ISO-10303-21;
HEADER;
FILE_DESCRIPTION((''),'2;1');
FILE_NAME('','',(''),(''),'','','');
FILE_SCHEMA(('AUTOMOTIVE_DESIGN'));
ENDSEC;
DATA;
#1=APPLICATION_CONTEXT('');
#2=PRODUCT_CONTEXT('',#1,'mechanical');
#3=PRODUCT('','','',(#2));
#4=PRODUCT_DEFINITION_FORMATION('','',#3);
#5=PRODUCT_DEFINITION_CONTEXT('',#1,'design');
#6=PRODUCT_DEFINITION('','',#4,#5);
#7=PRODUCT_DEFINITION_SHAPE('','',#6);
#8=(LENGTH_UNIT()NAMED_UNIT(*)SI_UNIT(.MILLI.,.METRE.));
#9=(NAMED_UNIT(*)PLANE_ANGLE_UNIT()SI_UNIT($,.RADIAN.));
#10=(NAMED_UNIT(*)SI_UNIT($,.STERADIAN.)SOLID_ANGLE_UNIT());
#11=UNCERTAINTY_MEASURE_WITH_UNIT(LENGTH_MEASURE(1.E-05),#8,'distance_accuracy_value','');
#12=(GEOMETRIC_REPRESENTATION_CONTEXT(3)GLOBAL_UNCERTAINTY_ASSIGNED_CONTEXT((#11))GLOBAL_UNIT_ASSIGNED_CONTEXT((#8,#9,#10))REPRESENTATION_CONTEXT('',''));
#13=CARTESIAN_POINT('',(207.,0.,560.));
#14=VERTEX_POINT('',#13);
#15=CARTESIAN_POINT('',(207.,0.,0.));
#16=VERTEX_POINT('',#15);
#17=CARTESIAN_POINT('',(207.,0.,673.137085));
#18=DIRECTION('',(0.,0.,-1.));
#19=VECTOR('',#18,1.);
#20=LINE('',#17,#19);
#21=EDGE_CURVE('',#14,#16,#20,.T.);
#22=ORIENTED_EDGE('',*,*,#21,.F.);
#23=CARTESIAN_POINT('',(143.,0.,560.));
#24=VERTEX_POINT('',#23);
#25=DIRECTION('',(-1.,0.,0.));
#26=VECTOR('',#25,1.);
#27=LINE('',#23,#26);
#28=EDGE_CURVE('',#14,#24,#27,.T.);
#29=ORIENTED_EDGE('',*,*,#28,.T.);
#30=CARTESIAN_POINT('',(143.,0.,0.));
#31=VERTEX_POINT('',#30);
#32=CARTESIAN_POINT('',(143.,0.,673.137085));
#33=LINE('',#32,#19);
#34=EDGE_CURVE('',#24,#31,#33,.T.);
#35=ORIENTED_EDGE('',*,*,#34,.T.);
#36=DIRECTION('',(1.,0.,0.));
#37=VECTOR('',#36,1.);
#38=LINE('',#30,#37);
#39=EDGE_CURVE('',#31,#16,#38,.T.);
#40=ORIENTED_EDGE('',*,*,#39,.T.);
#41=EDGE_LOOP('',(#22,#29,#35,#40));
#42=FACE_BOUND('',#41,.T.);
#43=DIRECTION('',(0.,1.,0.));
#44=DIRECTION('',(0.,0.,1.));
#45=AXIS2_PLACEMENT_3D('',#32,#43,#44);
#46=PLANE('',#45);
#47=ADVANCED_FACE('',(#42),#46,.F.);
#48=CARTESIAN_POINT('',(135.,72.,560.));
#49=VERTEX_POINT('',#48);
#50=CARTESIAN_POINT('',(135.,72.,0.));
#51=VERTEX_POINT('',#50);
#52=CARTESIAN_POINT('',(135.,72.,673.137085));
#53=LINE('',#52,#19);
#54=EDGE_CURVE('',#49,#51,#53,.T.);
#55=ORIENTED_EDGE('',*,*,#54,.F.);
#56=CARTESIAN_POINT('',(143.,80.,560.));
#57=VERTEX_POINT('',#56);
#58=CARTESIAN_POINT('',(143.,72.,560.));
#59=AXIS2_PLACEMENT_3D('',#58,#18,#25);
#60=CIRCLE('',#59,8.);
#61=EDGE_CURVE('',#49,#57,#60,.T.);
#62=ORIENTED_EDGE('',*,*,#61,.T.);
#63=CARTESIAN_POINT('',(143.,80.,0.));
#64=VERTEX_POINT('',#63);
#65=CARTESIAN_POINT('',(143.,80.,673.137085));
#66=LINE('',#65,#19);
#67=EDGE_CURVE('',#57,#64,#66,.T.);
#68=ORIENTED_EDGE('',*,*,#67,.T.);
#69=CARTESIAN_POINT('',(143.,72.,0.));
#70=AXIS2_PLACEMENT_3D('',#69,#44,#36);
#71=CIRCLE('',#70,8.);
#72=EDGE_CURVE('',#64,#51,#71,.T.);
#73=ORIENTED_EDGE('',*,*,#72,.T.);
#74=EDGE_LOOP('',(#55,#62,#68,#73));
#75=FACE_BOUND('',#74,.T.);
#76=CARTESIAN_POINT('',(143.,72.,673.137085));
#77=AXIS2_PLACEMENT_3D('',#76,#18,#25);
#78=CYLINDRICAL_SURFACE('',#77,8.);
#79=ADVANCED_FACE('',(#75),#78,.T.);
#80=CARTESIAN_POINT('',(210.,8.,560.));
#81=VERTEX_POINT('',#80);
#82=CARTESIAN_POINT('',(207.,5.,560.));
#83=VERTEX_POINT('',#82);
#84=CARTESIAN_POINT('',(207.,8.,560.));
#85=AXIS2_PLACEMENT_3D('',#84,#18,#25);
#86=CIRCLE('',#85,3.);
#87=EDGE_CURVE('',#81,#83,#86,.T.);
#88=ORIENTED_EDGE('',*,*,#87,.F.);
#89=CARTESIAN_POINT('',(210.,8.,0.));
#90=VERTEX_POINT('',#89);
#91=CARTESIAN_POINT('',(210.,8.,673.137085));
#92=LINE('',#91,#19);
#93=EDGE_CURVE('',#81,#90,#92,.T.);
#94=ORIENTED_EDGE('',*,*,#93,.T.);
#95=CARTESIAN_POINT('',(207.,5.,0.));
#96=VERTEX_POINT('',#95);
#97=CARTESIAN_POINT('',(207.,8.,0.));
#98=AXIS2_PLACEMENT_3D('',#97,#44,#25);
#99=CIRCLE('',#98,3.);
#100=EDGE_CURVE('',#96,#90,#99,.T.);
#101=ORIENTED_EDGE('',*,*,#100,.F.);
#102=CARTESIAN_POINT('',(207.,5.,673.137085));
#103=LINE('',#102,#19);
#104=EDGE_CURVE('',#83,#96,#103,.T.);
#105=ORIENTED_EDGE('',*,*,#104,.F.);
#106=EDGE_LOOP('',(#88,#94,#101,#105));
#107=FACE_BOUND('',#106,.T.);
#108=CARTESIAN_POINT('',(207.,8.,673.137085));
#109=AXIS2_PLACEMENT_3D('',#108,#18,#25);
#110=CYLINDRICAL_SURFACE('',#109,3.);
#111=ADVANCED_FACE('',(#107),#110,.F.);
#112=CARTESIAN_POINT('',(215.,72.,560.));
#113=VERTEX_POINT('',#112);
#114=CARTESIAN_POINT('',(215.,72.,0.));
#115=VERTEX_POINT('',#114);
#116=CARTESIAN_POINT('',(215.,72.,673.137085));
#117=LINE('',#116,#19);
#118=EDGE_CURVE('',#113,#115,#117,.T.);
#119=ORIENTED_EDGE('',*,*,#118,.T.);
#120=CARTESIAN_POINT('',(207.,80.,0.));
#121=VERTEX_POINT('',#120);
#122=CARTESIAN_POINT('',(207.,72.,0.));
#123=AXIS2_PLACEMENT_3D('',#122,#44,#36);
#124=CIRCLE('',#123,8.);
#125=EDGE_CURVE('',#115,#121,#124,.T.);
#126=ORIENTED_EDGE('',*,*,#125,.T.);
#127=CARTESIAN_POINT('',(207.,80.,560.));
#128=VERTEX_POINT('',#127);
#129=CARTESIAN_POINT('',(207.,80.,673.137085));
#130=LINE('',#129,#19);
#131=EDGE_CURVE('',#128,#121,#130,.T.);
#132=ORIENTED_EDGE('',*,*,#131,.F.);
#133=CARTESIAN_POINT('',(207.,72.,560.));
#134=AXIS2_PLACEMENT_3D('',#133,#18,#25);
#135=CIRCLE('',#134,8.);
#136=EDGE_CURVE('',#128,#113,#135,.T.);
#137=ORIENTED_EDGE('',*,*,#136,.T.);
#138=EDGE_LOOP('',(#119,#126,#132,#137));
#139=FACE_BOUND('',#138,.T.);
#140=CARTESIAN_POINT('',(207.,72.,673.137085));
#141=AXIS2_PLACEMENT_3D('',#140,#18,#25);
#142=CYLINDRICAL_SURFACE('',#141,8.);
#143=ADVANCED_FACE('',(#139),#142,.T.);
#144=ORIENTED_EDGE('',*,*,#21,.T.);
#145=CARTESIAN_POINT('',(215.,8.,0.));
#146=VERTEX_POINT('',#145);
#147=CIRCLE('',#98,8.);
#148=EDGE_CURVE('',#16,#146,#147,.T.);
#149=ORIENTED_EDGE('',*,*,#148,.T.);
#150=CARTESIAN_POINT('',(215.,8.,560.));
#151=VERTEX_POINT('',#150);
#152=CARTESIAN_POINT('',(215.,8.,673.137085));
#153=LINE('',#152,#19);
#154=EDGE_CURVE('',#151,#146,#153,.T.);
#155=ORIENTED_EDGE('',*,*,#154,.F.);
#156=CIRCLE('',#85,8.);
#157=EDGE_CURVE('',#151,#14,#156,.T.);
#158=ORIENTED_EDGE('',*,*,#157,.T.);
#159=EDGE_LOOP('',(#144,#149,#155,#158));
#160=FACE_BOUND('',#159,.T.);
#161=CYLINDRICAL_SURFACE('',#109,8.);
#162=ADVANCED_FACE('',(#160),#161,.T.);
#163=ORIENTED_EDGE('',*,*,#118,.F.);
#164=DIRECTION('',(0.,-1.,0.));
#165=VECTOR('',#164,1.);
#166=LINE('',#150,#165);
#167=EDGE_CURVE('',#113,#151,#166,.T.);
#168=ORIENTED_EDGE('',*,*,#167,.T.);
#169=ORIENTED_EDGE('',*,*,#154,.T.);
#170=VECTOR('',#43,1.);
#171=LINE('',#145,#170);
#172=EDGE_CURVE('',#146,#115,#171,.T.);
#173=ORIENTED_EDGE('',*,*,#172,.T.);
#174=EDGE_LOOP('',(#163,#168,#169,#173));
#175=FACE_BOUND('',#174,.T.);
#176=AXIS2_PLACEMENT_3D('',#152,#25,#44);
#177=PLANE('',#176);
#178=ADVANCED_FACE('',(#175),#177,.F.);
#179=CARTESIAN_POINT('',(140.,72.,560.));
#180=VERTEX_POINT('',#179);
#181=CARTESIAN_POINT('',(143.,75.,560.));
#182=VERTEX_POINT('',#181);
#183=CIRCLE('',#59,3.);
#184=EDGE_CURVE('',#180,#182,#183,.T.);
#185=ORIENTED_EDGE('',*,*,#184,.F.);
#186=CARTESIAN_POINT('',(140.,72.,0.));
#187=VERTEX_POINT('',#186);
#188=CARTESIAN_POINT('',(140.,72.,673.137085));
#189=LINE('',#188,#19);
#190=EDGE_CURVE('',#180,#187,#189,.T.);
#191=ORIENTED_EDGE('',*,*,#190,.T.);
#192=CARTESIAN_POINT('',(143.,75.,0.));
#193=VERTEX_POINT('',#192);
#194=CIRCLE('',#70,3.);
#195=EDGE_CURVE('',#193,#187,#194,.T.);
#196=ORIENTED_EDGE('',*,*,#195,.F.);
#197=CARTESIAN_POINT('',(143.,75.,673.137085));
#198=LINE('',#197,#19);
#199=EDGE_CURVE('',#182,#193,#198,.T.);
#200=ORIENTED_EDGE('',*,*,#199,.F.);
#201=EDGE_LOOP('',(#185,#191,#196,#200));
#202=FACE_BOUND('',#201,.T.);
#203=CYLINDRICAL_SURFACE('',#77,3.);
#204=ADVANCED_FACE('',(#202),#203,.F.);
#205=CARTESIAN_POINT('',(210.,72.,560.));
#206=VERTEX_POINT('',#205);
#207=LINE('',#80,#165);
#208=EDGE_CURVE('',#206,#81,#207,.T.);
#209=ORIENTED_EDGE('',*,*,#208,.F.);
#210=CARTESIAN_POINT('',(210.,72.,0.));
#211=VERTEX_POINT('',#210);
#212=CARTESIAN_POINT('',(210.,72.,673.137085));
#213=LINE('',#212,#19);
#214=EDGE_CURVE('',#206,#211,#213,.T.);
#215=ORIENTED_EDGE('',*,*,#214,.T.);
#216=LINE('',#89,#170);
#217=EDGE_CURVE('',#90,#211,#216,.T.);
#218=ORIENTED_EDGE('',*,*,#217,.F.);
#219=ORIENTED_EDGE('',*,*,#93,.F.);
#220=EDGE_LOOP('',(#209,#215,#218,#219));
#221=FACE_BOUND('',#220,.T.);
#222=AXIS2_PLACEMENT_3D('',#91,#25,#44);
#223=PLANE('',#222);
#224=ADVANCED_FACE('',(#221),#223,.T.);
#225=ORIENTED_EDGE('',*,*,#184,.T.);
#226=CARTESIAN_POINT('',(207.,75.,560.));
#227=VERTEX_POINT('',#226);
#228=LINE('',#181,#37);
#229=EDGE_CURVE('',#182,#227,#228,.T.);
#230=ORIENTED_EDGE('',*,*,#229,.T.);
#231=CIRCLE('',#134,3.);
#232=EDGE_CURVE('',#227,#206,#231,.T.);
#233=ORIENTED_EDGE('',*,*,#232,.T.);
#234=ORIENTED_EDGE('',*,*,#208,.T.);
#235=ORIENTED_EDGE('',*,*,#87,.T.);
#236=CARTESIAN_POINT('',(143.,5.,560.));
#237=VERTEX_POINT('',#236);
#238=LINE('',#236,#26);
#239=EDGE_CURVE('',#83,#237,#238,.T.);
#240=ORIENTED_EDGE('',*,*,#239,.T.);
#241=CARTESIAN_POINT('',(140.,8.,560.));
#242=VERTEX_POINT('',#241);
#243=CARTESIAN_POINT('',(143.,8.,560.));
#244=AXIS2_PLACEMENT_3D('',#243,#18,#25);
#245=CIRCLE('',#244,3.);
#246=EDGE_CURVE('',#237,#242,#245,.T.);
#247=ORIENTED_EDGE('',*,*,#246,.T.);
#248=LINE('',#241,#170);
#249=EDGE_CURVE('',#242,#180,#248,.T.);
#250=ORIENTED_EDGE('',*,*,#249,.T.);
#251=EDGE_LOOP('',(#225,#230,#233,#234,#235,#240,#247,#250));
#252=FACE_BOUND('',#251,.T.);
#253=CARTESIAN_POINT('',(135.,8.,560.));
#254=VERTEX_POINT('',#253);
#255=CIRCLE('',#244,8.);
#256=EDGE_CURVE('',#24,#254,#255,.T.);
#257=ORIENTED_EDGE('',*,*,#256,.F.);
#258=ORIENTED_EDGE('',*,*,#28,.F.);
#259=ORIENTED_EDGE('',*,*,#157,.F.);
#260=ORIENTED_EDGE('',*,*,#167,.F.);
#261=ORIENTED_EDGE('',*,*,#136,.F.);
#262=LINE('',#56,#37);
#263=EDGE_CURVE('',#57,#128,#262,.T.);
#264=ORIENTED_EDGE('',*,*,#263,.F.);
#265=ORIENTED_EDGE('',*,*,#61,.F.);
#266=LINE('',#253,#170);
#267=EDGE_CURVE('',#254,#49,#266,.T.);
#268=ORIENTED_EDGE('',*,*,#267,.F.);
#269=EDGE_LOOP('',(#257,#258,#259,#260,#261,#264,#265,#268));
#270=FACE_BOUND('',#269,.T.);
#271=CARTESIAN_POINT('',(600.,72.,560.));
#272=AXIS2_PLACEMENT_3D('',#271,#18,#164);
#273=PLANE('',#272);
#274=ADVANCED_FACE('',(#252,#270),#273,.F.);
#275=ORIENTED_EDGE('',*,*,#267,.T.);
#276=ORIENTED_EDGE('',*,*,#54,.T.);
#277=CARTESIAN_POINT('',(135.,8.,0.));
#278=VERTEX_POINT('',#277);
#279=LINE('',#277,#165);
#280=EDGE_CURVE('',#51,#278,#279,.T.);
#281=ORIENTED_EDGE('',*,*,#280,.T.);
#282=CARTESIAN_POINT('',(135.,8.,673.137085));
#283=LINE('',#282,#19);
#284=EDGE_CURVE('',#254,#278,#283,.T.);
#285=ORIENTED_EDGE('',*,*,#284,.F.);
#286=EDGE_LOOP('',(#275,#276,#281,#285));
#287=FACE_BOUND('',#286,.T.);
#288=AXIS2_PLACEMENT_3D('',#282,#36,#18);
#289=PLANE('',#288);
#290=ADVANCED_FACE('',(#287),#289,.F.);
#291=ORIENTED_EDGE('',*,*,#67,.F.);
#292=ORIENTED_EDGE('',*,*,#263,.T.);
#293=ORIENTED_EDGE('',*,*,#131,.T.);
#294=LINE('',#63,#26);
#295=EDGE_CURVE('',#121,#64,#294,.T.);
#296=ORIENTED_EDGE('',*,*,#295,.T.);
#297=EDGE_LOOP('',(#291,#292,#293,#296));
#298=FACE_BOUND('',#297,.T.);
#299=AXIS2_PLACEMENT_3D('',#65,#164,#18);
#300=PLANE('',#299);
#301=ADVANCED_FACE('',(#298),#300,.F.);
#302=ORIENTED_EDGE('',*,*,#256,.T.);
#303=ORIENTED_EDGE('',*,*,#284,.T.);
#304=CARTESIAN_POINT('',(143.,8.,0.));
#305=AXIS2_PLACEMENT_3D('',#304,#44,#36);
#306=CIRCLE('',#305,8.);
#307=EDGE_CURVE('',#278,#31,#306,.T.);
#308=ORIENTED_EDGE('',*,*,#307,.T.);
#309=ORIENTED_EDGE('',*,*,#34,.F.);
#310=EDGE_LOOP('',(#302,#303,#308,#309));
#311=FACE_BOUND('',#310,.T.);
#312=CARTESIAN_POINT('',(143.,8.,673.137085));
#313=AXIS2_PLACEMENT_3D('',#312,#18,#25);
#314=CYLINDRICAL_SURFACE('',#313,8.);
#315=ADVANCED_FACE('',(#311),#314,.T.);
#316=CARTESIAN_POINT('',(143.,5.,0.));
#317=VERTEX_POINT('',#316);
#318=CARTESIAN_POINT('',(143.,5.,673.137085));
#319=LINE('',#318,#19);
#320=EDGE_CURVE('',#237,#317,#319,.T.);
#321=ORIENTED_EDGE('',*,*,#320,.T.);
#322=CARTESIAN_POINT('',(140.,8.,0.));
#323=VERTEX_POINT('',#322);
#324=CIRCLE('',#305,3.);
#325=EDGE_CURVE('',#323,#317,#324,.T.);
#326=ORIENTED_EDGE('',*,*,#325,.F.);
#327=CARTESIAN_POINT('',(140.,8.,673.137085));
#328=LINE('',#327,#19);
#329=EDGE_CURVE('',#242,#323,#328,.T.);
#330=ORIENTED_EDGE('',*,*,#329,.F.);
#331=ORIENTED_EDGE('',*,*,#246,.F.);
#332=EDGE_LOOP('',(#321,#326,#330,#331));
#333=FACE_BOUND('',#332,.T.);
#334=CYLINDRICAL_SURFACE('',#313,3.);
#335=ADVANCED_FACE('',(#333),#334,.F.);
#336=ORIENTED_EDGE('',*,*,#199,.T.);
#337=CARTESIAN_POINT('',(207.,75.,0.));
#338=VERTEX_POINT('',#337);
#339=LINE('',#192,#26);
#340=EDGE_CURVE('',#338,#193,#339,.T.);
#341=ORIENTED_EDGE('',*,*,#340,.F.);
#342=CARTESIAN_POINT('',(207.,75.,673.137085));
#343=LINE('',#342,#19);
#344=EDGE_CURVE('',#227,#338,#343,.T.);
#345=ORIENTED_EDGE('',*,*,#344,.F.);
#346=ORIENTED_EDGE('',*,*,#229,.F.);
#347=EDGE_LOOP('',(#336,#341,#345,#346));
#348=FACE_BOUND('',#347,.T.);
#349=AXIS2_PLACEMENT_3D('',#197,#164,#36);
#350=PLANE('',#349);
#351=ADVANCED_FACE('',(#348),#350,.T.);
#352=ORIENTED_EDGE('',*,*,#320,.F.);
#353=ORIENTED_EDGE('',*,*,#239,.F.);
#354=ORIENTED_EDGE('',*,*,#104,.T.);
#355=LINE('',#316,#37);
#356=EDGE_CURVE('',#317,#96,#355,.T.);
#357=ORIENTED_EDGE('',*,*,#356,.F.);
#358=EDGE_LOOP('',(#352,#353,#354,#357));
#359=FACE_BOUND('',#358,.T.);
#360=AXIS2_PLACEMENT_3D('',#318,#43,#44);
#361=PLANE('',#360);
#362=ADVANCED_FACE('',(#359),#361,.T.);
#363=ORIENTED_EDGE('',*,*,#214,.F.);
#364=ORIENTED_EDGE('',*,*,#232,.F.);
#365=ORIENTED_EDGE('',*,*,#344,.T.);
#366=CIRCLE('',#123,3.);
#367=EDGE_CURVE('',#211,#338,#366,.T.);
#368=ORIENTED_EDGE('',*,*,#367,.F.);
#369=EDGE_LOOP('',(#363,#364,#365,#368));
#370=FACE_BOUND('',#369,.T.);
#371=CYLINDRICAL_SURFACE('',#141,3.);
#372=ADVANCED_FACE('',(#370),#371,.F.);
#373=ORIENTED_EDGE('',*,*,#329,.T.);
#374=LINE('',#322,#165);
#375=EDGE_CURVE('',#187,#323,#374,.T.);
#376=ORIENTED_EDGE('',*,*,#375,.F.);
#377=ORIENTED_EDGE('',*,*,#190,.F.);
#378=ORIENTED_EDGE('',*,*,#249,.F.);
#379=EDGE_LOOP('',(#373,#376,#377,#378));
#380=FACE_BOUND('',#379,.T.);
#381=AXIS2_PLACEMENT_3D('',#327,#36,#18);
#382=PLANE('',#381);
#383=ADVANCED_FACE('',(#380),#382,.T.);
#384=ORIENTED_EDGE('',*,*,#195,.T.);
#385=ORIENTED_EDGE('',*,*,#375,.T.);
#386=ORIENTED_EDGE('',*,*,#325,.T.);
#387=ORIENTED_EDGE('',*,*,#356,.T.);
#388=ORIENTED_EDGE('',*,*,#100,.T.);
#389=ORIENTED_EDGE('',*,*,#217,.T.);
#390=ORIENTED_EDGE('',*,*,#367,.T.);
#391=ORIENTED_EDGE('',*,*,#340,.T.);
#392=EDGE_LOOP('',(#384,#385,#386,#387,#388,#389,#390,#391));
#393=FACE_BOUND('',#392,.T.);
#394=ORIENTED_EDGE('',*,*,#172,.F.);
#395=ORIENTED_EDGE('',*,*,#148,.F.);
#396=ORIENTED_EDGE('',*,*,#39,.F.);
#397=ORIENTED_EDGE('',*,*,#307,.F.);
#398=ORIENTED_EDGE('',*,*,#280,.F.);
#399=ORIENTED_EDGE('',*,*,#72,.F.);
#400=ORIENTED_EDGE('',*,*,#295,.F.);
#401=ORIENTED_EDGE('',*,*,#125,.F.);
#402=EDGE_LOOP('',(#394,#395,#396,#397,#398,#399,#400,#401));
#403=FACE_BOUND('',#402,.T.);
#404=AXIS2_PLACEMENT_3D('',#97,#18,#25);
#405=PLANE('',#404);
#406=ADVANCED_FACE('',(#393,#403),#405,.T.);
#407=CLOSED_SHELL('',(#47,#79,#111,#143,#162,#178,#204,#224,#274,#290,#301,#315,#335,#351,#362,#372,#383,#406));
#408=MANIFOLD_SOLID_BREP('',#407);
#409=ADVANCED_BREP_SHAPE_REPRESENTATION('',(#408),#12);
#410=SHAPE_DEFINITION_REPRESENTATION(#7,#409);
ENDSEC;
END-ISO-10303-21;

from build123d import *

# Parameters (mm, degrees)
DODANIE_WYCI_GNI_CIE1_DEPTH = 560


with BuildPart() as part:
    # Szkic1 → Dodanie-wyciągnięcie1 (new body)
    with BuildSketch(Plane.XY):
        with BuildLine():
            Line((143, 0), (207, 0))
            ThreePointArc((207, 0), (212.656854249, 2.343145751), (215, 8))
            Line((215, 8), (215, 72))
            ThreePointArc((215, 72), (212.656854249, 77.656854249), (207, 80))
            Line((207, 80), (143, 80))
            ThreePointArc((143, 80), (137.343145751, 77.656854249), (135, 72))
            Line((135, 72), (135, 8))
            ThreePointArc((135, 8), (137.343145751, 2.343145751), (143, 0))
        make_face()
        with BuildLine():
            Line((140, 8), (140, 72))
            ThreePointArc((140, 72), (140.878679656, 74.121320344), (143, 75))
            Line((143, 75), (207, 75))
            ThreePointArc((207, 75), (209.121320344, 74.121320344), (210, 72))
            Line((210, 72), (210, 8))
            ThreePointArc((210, 8), (209.121320344, 5.878679656), (207, 5))
            Line((207, 5), (143, 5))
            ThreePointArc((143, 5), (140.878679656, 5.878679656), (140, 8))
        make_face(mode=Mode.SUBTRACT)
    extrude(amount=DODANIE_WYCI_GNI_CIE1_DEPTH)


solid = part.part
